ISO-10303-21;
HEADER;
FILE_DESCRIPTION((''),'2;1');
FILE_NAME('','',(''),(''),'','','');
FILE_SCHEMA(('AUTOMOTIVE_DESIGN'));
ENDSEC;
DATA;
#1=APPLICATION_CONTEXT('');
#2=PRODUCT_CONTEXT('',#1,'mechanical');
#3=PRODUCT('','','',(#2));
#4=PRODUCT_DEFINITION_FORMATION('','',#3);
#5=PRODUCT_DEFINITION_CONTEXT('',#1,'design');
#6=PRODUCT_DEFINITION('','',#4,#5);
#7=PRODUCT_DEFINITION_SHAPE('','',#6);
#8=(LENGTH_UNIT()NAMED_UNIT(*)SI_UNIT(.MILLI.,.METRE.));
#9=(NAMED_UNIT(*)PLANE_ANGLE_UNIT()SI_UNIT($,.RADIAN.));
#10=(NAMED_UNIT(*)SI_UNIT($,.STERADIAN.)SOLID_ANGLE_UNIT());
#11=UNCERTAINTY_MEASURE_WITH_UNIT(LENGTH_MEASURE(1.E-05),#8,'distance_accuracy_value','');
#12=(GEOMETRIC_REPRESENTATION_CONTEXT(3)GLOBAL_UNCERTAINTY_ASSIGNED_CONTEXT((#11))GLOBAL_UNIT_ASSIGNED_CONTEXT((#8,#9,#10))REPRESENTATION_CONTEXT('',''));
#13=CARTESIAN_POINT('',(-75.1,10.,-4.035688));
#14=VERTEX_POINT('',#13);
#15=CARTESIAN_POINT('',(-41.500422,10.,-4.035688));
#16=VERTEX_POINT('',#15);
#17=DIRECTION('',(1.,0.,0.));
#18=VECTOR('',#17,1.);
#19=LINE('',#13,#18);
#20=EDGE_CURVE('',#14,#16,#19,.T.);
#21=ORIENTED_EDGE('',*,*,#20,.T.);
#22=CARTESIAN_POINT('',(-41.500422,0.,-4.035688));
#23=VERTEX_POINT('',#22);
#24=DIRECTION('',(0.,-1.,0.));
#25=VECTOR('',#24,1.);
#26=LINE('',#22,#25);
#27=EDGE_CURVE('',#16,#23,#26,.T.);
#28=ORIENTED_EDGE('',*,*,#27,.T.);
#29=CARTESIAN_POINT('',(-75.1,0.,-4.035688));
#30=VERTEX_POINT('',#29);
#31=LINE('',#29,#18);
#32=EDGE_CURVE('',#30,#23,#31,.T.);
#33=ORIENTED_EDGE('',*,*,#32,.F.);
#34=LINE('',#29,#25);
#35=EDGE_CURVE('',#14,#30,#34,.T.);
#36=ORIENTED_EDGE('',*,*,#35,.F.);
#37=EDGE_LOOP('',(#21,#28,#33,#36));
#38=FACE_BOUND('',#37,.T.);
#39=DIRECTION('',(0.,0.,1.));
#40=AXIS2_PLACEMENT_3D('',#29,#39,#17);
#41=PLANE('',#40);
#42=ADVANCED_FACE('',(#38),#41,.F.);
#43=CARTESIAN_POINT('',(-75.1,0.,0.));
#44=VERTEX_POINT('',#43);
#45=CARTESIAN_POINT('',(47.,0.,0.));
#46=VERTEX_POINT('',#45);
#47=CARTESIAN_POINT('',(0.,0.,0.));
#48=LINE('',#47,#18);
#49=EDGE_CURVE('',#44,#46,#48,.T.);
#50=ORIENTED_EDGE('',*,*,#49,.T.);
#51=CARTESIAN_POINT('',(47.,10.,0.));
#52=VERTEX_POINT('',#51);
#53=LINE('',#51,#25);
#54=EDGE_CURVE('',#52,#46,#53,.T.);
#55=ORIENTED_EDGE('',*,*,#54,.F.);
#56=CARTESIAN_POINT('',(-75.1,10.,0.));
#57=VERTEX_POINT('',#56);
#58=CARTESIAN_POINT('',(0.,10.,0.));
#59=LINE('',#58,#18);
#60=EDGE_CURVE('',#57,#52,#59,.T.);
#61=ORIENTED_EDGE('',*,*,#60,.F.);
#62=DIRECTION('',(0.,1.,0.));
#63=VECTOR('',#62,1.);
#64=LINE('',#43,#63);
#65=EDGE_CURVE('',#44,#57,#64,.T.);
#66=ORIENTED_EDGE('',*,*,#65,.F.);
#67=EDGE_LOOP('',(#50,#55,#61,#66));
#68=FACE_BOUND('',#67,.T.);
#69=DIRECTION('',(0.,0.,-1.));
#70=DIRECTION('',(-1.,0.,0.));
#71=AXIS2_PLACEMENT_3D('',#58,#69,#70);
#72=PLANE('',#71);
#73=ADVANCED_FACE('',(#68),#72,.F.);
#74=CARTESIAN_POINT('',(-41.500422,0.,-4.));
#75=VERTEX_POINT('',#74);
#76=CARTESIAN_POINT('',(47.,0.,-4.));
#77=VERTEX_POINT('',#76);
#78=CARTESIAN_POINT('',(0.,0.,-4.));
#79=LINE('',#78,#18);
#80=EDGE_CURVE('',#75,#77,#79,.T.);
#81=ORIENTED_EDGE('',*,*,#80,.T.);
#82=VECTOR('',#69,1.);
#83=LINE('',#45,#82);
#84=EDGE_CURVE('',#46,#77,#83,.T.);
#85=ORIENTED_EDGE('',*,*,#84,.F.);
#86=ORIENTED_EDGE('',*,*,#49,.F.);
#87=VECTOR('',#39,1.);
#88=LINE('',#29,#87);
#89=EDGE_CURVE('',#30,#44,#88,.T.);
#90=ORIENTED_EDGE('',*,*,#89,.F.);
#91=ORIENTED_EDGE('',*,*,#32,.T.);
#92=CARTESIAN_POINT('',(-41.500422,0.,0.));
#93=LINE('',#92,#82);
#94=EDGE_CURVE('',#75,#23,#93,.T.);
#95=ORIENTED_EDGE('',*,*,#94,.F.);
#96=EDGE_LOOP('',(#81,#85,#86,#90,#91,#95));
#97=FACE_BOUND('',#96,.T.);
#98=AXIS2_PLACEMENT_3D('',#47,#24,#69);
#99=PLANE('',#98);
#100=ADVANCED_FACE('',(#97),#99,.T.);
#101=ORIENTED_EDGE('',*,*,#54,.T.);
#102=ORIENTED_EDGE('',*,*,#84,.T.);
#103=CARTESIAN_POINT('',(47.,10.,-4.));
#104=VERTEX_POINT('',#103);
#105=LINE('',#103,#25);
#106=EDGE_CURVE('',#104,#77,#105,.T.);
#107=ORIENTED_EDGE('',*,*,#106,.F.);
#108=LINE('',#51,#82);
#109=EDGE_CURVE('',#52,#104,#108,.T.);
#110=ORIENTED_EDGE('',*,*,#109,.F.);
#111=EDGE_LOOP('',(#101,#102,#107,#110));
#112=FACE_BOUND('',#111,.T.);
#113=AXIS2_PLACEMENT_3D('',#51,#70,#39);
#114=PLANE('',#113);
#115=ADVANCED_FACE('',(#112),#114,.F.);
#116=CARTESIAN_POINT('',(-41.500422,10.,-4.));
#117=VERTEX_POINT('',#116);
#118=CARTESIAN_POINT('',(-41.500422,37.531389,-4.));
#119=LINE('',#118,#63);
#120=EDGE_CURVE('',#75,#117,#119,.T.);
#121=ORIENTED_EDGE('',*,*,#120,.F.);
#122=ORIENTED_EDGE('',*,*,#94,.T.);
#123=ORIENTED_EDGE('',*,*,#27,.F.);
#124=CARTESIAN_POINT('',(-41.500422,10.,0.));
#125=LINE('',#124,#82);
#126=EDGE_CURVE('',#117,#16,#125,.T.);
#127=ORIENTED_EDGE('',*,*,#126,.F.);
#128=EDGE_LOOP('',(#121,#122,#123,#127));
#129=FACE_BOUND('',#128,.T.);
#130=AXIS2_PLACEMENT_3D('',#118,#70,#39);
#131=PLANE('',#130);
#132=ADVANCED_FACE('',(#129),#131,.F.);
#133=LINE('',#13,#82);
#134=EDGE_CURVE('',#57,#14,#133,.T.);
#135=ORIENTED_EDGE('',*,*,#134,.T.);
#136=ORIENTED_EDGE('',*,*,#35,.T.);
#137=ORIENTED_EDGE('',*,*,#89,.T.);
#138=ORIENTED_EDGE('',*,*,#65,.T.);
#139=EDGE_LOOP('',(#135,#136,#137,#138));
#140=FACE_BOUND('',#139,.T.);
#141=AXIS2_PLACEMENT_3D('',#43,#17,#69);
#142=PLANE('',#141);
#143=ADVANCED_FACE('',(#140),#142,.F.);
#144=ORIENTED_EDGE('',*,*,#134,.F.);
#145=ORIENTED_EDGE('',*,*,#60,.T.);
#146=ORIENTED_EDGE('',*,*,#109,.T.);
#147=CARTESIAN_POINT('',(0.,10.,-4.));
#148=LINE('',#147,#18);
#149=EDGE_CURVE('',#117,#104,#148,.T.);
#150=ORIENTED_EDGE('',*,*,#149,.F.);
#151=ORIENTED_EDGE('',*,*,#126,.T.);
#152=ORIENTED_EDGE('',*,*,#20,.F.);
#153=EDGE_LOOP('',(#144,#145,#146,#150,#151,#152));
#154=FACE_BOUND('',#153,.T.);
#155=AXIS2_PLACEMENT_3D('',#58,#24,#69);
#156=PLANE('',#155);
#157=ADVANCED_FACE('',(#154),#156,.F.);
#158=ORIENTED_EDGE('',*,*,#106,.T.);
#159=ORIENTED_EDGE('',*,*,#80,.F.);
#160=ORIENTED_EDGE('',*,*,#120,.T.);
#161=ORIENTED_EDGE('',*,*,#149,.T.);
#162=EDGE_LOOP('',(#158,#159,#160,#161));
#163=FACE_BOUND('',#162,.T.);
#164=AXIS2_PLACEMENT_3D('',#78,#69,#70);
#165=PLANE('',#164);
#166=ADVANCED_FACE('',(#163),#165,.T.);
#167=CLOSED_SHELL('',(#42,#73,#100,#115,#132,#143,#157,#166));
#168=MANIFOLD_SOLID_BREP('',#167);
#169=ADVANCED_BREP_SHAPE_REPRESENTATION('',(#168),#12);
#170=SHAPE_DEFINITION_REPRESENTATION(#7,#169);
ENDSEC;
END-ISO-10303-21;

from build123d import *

# Parameters (mm, degrees)
SKETCH1_W           = 47
SKETCH1_H           = 22
BOSS_EXTRUDE1_DEPTH = 10
SKETCH2_W           = 4.035688101
SKETCH2_H           = 10
BOSS_EXTRUDE2_DEPTH = 75.1
SKETCH5_W           = 120.095594562
SKETCH5_H           = 66.646456322
CUT_EXTRUDE1_DEPTH  = 18


with BuildPart() as part:
    # Sketch1 → Boss-Extrude1 (new body)
    with BuildSketch(Plane(origin=(0, 0, 0), x_dir=(1, 0, 0), z_dir=(0, 1, 0))):
        with Locations((23.5, 11)):
            Rectangle(SKETCH1_W, SKETCH1_H)
    extrude(amount=BOSS_EXTRUDE1_DEPTH)

    # Sketch2 → Boss-Extrude2 (add)
    with BuildSketch(Plane.ZY):
        with Locations((-2.01784405, 5)):
            Rectangle(SKETCH2_W, SKETCH2_H)
    extrude(amount=BOSS_EXTRUDE2_DEPTH)

    # Sketch5 → Cut-Extrude1 (cut)
    with BuildSketch(Plane(origin=(0, 0, -22), x_dir=(-1, 0, 0), z_dir=(0, 0, -1))):
        with Locations((-18.547375667, 4.208160915)):
            Rectangle(SKETCH5_W, SKETCH5_H)
    extrude(amount=-CUT_EXTRUDE1_DEPTH, mode=Mode.SUBTRACT)


solid = part.part
